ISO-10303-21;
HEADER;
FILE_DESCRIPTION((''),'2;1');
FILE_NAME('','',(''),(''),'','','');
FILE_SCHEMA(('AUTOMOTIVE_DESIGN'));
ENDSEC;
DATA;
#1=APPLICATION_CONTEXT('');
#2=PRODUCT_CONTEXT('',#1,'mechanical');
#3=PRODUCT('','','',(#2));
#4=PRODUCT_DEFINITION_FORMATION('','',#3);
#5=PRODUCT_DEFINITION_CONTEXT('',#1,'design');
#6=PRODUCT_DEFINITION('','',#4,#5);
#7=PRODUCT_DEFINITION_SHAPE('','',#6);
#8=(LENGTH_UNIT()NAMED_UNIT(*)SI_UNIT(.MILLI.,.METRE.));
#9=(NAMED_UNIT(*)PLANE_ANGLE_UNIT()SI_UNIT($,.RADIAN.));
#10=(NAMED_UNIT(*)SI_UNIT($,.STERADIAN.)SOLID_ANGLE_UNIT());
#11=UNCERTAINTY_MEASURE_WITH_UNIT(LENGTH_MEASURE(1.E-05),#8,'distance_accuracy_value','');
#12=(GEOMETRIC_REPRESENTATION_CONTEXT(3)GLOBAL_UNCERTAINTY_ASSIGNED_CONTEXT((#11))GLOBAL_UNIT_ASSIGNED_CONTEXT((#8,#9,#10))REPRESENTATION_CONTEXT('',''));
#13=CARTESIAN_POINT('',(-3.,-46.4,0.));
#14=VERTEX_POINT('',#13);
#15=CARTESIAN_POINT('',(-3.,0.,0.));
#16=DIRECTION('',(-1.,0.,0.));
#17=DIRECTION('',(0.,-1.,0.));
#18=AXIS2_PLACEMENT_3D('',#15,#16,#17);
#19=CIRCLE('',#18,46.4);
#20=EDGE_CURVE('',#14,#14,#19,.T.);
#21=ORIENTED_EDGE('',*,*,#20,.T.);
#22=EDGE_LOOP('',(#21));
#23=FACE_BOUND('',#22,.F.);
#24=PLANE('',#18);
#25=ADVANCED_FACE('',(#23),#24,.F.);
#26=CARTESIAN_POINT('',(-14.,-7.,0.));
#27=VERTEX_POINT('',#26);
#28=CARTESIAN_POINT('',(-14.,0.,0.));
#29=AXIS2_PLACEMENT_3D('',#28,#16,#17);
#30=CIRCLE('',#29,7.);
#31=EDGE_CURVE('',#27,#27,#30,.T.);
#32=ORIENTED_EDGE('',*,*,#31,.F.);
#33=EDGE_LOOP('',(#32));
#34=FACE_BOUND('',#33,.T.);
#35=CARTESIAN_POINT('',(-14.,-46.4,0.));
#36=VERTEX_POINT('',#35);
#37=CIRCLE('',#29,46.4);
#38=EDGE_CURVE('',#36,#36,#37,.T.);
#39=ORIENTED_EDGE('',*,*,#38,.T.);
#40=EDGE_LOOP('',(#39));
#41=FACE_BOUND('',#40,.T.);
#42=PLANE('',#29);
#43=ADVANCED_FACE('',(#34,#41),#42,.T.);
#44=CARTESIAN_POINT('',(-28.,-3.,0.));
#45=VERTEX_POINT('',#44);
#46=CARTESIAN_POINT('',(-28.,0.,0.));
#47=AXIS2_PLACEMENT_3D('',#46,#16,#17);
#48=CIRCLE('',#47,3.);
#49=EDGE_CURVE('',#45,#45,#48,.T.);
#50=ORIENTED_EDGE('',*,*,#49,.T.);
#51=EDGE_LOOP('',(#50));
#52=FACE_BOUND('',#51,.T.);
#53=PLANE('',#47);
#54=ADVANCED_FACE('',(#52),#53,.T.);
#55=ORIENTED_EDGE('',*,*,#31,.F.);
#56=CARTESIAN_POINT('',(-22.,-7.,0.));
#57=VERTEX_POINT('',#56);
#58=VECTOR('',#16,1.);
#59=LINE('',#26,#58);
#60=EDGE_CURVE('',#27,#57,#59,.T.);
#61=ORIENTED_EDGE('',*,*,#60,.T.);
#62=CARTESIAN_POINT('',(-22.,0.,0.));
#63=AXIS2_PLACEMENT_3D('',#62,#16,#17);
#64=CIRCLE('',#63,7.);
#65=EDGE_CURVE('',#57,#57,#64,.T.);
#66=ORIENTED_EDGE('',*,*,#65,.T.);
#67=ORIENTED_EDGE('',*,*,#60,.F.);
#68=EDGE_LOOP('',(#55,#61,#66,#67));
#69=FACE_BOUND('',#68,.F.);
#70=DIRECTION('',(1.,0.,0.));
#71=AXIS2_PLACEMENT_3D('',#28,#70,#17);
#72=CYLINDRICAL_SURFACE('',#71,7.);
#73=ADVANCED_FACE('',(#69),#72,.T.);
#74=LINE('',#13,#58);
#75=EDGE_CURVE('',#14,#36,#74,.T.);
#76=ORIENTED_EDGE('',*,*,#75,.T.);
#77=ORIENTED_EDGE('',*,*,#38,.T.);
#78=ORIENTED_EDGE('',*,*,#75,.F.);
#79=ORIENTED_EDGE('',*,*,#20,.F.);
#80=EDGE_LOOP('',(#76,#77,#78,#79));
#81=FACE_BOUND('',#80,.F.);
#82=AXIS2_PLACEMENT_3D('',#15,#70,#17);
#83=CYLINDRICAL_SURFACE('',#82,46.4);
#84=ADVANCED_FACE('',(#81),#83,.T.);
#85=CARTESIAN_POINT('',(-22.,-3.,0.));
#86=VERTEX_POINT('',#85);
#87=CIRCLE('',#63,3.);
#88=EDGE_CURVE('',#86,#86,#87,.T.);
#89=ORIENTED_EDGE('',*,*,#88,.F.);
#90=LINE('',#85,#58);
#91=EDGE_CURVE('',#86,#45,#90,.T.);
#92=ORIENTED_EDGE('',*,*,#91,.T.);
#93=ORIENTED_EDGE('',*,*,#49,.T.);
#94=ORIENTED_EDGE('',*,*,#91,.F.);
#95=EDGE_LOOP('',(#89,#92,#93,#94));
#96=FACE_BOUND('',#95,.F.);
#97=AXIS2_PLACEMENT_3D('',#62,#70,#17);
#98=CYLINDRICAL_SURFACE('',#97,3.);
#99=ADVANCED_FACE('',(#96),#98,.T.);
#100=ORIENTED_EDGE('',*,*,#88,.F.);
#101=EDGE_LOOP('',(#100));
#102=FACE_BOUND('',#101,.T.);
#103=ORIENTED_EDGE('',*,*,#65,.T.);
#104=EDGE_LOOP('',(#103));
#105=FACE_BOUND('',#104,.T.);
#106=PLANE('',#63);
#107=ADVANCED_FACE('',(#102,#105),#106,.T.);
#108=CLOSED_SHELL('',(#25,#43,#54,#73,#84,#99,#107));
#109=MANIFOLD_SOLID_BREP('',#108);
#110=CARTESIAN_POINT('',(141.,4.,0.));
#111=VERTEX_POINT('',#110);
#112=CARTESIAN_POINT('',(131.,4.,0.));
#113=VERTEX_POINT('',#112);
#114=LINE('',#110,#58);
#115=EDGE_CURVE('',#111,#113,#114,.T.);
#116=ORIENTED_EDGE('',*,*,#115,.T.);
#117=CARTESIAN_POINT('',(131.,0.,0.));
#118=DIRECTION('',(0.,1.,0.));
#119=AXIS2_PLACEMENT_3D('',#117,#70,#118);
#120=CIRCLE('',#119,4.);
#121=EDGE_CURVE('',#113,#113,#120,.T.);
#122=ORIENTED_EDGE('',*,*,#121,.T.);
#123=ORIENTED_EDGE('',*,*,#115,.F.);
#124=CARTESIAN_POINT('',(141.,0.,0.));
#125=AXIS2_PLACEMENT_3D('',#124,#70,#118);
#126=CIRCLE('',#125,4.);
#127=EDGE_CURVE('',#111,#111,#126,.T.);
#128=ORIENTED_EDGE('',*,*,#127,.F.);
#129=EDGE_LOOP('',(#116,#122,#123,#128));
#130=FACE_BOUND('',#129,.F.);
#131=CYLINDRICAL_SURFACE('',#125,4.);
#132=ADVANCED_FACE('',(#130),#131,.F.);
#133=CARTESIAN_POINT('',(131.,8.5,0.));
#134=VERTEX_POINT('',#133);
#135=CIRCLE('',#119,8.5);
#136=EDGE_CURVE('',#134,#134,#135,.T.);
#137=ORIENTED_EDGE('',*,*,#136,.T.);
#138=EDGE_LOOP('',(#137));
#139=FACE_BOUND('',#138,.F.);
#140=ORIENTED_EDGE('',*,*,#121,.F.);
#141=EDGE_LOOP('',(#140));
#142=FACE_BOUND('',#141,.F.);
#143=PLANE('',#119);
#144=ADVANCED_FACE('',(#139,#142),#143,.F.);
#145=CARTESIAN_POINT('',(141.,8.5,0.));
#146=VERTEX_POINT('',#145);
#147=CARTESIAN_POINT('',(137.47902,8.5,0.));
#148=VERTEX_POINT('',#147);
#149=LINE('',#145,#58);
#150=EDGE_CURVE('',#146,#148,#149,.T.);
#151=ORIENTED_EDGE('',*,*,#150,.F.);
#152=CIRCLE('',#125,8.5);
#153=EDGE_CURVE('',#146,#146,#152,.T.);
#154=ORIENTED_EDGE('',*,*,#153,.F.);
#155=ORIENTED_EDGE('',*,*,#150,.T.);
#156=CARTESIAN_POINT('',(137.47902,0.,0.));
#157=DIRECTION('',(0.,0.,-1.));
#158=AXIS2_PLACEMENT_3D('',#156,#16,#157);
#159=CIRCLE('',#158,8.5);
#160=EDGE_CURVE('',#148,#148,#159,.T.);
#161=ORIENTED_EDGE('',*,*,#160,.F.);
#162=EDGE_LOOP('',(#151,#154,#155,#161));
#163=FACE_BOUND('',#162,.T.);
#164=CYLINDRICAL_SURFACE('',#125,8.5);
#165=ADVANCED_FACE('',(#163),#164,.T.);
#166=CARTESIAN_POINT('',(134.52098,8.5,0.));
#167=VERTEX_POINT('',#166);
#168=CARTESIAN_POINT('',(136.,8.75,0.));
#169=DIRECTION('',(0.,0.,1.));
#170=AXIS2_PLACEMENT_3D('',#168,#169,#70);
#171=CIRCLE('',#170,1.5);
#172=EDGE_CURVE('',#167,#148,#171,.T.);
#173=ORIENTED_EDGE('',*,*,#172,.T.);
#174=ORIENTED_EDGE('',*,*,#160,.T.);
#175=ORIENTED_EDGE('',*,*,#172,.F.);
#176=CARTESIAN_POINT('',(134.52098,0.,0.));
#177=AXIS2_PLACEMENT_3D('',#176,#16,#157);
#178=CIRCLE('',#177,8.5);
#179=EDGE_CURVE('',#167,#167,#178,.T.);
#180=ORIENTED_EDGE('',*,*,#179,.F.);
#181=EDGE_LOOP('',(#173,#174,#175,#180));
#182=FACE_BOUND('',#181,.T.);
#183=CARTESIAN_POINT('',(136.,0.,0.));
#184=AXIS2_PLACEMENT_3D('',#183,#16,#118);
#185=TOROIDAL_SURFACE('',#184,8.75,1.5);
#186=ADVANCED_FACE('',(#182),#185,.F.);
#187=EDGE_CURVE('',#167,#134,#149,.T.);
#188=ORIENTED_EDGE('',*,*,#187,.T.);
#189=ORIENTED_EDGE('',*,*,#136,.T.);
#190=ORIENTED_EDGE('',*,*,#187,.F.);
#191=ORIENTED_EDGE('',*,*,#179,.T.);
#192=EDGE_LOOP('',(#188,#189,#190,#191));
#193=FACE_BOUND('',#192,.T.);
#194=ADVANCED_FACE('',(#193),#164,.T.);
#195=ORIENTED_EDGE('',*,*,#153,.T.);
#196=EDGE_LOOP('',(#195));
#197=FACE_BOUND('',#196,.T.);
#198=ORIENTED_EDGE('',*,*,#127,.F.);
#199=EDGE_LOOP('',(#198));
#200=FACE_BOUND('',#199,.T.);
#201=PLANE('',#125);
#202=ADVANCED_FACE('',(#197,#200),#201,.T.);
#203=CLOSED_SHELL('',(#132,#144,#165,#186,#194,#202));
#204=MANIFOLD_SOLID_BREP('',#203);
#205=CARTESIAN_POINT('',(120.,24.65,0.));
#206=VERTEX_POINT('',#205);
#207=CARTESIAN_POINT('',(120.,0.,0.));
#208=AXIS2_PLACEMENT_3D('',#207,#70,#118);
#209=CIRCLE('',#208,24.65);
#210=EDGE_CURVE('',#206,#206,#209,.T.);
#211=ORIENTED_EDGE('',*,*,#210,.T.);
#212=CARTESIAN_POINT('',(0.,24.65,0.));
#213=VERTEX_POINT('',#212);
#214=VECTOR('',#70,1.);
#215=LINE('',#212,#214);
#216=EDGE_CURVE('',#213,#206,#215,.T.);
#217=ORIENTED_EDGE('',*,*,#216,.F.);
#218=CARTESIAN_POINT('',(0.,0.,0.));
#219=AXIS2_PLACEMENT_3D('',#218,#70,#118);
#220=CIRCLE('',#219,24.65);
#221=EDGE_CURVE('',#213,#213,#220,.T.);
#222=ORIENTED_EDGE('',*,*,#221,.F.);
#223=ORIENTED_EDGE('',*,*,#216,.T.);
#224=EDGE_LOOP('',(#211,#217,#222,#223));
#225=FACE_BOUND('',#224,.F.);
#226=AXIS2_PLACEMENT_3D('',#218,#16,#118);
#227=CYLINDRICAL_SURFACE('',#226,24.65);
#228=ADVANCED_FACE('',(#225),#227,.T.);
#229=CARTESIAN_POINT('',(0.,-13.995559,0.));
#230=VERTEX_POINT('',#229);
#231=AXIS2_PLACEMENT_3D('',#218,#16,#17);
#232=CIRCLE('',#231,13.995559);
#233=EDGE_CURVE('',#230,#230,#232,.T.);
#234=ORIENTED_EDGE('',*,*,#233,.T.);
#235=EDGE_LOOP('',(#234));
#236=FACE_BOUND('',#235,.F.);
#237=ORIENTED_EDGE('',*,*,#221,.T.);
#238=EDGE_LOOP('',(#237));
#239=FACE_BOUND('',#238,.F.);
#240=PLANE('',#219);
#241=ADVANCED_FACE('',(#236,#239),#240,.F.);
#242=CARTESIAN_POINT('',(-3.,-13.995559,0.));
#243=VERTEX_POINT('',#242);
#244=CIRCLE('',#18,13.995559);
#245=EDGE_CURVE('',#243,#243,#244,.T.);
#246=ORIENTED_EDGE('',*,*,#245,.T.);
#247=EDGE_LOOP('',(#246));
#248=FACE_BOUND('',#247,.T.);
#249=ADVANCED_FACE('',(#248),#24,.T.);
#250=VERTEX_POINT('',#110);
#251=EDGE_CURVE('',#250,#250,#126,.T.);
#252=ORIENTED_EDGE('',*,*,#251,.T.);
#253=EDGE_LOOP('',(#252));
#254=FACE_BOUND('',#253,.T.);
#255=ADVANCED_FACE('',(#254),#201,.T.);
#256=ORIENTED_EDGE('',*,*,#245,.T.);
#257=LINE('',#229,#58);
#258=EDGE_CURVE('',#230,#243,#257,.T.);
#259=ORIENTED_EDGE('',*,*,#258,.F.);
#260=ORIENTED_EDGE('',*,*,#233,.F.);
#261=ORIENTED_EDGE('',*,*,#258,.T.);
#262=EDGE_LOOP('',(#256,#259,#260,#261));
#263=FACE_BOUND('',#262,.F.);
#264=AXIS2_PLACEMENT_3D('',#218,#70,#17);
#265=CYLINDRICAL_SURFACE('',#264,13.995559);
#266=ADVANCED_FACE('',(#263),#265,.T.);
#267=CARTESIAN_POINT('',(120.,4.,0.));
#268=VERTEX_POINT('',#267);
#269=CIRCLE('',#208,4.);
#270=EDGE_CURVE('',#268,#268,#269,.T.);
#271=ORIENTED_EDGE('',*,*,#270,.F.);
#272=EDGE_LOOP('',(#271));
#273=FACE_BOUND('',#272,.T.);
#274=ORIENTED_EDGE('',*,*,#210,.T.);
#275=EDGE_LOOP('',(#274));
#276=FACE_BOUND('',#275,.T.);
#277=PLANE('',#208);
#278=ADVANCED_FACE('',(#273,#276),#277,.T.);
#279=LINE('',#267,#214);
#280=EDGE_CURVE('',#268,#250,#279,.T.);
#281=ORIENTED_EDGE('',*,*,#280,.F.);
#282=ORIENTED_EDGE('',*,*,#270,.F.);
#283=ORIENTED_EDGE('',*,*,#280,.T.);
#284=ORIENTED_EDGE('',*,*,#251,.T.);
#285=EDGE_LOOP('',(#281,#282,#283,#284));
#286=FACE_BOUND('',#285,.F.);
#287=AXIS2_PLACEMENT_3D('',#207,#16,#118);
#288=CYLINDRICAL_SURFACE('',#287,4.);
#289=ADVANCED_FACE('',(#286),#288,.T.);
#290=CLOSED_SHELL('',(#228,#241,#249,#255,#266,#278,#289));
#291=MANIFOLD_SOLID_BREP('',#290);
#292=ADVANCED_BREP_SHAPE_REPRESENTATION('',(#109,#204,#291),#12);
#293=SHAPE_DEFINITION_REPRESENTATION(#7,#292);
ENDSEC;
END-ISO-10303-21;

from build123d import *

# Parameters (mm, degrees)
F0_R      = 24.65
F1_DEPTH  = 120
F2_R      = 4
F3_DEPTH  = 21
F4_R      = 13.995559
F5_DEPTH  = 3
F6_R      = 46.4
F6_R_2    = 13.995559
F7_DEPTH  = 11
F8_R      = 7
F9_DEPTH  = 8
F10_R     = 3
F11_DEPTH = 6
F12_R     = 8.5
F12_R_2   = 4
F13_DEPTH = 10
F15_R     = 1.5


with BuildPart() as f1:
    # F0 (on Right) → F1 (new body)
    with BuildSketch(Plane.YZ):
        Circle(F0_R)
    extrude(amount=F1_DEPTH)

    # F2 (on face) → F3 (join)
    with BuildSketch(Plane.YZ.offset(120)):
        Circle(F2_R)
    extrude(amount=F3_DEPTH)

    # F4 (on face) → F5 (join)
    with BuildSketch(Plane(origin=(0, 0, 0), x_dir=(0, -1, 0), z_dir=(-1, 0, 0))):
        Circle(F4_R)
    extrude(amount=F5_DEPTH)


with BuildPart() as f7:
    # F6 (on face) → F7 (new body)
    with BuildSketch(Plane(origin=(-3, 0, 0), x_dir=(0, -1, 0), z_dir=(-1, 0, 0))):
        Circle(F6_R)
        Circle(F6_R_2, mode=Mode.SUBTRACT)
        Circle(F6_R_2)
    extrude(amount=F7_DEPTH)

    # F8 (on face) → F9 (join)
    with BuildSketch(Plane(origin=(-14, 0, 0), x_dir=(0, -1, 0), z_dir=(-1, 0, 0))):
        Circle(F8_R)
    extrude(amount=F9_DEPTH)

    # F10 (on face) → F11 (join)
    with BuildSketch(Plane(origin=(-22, 0, 0), x_dir=(0, -1, 0), z_dir=(-1, 0, 0))):
        Circle(F10_R)
    extrude(amount=F11_DEPTH)


with BuildPart() as f13:
    # F12 (on face) → F13 (new body)
    with BuildSketch(Plane.YZ.offset(141)):
        Circle(F12_R)
        Circle(F12_R_2, mode=Mode.SUBTRACT)
    extrude(amount=-F13_DEPTH)

    # F15 (on Top) → F16 (revolve, cut)
    with BuildSketch(Plane.XY):
        with Locations((136, 8.75)):
            Circle(F15_R)
    revolve(axis=Axis((251.482069, 0, 0), (1, 0, 0)), mode=Mode.SUBTRACT)


solid = Compound([f1.part, f7.part, f13.part])
